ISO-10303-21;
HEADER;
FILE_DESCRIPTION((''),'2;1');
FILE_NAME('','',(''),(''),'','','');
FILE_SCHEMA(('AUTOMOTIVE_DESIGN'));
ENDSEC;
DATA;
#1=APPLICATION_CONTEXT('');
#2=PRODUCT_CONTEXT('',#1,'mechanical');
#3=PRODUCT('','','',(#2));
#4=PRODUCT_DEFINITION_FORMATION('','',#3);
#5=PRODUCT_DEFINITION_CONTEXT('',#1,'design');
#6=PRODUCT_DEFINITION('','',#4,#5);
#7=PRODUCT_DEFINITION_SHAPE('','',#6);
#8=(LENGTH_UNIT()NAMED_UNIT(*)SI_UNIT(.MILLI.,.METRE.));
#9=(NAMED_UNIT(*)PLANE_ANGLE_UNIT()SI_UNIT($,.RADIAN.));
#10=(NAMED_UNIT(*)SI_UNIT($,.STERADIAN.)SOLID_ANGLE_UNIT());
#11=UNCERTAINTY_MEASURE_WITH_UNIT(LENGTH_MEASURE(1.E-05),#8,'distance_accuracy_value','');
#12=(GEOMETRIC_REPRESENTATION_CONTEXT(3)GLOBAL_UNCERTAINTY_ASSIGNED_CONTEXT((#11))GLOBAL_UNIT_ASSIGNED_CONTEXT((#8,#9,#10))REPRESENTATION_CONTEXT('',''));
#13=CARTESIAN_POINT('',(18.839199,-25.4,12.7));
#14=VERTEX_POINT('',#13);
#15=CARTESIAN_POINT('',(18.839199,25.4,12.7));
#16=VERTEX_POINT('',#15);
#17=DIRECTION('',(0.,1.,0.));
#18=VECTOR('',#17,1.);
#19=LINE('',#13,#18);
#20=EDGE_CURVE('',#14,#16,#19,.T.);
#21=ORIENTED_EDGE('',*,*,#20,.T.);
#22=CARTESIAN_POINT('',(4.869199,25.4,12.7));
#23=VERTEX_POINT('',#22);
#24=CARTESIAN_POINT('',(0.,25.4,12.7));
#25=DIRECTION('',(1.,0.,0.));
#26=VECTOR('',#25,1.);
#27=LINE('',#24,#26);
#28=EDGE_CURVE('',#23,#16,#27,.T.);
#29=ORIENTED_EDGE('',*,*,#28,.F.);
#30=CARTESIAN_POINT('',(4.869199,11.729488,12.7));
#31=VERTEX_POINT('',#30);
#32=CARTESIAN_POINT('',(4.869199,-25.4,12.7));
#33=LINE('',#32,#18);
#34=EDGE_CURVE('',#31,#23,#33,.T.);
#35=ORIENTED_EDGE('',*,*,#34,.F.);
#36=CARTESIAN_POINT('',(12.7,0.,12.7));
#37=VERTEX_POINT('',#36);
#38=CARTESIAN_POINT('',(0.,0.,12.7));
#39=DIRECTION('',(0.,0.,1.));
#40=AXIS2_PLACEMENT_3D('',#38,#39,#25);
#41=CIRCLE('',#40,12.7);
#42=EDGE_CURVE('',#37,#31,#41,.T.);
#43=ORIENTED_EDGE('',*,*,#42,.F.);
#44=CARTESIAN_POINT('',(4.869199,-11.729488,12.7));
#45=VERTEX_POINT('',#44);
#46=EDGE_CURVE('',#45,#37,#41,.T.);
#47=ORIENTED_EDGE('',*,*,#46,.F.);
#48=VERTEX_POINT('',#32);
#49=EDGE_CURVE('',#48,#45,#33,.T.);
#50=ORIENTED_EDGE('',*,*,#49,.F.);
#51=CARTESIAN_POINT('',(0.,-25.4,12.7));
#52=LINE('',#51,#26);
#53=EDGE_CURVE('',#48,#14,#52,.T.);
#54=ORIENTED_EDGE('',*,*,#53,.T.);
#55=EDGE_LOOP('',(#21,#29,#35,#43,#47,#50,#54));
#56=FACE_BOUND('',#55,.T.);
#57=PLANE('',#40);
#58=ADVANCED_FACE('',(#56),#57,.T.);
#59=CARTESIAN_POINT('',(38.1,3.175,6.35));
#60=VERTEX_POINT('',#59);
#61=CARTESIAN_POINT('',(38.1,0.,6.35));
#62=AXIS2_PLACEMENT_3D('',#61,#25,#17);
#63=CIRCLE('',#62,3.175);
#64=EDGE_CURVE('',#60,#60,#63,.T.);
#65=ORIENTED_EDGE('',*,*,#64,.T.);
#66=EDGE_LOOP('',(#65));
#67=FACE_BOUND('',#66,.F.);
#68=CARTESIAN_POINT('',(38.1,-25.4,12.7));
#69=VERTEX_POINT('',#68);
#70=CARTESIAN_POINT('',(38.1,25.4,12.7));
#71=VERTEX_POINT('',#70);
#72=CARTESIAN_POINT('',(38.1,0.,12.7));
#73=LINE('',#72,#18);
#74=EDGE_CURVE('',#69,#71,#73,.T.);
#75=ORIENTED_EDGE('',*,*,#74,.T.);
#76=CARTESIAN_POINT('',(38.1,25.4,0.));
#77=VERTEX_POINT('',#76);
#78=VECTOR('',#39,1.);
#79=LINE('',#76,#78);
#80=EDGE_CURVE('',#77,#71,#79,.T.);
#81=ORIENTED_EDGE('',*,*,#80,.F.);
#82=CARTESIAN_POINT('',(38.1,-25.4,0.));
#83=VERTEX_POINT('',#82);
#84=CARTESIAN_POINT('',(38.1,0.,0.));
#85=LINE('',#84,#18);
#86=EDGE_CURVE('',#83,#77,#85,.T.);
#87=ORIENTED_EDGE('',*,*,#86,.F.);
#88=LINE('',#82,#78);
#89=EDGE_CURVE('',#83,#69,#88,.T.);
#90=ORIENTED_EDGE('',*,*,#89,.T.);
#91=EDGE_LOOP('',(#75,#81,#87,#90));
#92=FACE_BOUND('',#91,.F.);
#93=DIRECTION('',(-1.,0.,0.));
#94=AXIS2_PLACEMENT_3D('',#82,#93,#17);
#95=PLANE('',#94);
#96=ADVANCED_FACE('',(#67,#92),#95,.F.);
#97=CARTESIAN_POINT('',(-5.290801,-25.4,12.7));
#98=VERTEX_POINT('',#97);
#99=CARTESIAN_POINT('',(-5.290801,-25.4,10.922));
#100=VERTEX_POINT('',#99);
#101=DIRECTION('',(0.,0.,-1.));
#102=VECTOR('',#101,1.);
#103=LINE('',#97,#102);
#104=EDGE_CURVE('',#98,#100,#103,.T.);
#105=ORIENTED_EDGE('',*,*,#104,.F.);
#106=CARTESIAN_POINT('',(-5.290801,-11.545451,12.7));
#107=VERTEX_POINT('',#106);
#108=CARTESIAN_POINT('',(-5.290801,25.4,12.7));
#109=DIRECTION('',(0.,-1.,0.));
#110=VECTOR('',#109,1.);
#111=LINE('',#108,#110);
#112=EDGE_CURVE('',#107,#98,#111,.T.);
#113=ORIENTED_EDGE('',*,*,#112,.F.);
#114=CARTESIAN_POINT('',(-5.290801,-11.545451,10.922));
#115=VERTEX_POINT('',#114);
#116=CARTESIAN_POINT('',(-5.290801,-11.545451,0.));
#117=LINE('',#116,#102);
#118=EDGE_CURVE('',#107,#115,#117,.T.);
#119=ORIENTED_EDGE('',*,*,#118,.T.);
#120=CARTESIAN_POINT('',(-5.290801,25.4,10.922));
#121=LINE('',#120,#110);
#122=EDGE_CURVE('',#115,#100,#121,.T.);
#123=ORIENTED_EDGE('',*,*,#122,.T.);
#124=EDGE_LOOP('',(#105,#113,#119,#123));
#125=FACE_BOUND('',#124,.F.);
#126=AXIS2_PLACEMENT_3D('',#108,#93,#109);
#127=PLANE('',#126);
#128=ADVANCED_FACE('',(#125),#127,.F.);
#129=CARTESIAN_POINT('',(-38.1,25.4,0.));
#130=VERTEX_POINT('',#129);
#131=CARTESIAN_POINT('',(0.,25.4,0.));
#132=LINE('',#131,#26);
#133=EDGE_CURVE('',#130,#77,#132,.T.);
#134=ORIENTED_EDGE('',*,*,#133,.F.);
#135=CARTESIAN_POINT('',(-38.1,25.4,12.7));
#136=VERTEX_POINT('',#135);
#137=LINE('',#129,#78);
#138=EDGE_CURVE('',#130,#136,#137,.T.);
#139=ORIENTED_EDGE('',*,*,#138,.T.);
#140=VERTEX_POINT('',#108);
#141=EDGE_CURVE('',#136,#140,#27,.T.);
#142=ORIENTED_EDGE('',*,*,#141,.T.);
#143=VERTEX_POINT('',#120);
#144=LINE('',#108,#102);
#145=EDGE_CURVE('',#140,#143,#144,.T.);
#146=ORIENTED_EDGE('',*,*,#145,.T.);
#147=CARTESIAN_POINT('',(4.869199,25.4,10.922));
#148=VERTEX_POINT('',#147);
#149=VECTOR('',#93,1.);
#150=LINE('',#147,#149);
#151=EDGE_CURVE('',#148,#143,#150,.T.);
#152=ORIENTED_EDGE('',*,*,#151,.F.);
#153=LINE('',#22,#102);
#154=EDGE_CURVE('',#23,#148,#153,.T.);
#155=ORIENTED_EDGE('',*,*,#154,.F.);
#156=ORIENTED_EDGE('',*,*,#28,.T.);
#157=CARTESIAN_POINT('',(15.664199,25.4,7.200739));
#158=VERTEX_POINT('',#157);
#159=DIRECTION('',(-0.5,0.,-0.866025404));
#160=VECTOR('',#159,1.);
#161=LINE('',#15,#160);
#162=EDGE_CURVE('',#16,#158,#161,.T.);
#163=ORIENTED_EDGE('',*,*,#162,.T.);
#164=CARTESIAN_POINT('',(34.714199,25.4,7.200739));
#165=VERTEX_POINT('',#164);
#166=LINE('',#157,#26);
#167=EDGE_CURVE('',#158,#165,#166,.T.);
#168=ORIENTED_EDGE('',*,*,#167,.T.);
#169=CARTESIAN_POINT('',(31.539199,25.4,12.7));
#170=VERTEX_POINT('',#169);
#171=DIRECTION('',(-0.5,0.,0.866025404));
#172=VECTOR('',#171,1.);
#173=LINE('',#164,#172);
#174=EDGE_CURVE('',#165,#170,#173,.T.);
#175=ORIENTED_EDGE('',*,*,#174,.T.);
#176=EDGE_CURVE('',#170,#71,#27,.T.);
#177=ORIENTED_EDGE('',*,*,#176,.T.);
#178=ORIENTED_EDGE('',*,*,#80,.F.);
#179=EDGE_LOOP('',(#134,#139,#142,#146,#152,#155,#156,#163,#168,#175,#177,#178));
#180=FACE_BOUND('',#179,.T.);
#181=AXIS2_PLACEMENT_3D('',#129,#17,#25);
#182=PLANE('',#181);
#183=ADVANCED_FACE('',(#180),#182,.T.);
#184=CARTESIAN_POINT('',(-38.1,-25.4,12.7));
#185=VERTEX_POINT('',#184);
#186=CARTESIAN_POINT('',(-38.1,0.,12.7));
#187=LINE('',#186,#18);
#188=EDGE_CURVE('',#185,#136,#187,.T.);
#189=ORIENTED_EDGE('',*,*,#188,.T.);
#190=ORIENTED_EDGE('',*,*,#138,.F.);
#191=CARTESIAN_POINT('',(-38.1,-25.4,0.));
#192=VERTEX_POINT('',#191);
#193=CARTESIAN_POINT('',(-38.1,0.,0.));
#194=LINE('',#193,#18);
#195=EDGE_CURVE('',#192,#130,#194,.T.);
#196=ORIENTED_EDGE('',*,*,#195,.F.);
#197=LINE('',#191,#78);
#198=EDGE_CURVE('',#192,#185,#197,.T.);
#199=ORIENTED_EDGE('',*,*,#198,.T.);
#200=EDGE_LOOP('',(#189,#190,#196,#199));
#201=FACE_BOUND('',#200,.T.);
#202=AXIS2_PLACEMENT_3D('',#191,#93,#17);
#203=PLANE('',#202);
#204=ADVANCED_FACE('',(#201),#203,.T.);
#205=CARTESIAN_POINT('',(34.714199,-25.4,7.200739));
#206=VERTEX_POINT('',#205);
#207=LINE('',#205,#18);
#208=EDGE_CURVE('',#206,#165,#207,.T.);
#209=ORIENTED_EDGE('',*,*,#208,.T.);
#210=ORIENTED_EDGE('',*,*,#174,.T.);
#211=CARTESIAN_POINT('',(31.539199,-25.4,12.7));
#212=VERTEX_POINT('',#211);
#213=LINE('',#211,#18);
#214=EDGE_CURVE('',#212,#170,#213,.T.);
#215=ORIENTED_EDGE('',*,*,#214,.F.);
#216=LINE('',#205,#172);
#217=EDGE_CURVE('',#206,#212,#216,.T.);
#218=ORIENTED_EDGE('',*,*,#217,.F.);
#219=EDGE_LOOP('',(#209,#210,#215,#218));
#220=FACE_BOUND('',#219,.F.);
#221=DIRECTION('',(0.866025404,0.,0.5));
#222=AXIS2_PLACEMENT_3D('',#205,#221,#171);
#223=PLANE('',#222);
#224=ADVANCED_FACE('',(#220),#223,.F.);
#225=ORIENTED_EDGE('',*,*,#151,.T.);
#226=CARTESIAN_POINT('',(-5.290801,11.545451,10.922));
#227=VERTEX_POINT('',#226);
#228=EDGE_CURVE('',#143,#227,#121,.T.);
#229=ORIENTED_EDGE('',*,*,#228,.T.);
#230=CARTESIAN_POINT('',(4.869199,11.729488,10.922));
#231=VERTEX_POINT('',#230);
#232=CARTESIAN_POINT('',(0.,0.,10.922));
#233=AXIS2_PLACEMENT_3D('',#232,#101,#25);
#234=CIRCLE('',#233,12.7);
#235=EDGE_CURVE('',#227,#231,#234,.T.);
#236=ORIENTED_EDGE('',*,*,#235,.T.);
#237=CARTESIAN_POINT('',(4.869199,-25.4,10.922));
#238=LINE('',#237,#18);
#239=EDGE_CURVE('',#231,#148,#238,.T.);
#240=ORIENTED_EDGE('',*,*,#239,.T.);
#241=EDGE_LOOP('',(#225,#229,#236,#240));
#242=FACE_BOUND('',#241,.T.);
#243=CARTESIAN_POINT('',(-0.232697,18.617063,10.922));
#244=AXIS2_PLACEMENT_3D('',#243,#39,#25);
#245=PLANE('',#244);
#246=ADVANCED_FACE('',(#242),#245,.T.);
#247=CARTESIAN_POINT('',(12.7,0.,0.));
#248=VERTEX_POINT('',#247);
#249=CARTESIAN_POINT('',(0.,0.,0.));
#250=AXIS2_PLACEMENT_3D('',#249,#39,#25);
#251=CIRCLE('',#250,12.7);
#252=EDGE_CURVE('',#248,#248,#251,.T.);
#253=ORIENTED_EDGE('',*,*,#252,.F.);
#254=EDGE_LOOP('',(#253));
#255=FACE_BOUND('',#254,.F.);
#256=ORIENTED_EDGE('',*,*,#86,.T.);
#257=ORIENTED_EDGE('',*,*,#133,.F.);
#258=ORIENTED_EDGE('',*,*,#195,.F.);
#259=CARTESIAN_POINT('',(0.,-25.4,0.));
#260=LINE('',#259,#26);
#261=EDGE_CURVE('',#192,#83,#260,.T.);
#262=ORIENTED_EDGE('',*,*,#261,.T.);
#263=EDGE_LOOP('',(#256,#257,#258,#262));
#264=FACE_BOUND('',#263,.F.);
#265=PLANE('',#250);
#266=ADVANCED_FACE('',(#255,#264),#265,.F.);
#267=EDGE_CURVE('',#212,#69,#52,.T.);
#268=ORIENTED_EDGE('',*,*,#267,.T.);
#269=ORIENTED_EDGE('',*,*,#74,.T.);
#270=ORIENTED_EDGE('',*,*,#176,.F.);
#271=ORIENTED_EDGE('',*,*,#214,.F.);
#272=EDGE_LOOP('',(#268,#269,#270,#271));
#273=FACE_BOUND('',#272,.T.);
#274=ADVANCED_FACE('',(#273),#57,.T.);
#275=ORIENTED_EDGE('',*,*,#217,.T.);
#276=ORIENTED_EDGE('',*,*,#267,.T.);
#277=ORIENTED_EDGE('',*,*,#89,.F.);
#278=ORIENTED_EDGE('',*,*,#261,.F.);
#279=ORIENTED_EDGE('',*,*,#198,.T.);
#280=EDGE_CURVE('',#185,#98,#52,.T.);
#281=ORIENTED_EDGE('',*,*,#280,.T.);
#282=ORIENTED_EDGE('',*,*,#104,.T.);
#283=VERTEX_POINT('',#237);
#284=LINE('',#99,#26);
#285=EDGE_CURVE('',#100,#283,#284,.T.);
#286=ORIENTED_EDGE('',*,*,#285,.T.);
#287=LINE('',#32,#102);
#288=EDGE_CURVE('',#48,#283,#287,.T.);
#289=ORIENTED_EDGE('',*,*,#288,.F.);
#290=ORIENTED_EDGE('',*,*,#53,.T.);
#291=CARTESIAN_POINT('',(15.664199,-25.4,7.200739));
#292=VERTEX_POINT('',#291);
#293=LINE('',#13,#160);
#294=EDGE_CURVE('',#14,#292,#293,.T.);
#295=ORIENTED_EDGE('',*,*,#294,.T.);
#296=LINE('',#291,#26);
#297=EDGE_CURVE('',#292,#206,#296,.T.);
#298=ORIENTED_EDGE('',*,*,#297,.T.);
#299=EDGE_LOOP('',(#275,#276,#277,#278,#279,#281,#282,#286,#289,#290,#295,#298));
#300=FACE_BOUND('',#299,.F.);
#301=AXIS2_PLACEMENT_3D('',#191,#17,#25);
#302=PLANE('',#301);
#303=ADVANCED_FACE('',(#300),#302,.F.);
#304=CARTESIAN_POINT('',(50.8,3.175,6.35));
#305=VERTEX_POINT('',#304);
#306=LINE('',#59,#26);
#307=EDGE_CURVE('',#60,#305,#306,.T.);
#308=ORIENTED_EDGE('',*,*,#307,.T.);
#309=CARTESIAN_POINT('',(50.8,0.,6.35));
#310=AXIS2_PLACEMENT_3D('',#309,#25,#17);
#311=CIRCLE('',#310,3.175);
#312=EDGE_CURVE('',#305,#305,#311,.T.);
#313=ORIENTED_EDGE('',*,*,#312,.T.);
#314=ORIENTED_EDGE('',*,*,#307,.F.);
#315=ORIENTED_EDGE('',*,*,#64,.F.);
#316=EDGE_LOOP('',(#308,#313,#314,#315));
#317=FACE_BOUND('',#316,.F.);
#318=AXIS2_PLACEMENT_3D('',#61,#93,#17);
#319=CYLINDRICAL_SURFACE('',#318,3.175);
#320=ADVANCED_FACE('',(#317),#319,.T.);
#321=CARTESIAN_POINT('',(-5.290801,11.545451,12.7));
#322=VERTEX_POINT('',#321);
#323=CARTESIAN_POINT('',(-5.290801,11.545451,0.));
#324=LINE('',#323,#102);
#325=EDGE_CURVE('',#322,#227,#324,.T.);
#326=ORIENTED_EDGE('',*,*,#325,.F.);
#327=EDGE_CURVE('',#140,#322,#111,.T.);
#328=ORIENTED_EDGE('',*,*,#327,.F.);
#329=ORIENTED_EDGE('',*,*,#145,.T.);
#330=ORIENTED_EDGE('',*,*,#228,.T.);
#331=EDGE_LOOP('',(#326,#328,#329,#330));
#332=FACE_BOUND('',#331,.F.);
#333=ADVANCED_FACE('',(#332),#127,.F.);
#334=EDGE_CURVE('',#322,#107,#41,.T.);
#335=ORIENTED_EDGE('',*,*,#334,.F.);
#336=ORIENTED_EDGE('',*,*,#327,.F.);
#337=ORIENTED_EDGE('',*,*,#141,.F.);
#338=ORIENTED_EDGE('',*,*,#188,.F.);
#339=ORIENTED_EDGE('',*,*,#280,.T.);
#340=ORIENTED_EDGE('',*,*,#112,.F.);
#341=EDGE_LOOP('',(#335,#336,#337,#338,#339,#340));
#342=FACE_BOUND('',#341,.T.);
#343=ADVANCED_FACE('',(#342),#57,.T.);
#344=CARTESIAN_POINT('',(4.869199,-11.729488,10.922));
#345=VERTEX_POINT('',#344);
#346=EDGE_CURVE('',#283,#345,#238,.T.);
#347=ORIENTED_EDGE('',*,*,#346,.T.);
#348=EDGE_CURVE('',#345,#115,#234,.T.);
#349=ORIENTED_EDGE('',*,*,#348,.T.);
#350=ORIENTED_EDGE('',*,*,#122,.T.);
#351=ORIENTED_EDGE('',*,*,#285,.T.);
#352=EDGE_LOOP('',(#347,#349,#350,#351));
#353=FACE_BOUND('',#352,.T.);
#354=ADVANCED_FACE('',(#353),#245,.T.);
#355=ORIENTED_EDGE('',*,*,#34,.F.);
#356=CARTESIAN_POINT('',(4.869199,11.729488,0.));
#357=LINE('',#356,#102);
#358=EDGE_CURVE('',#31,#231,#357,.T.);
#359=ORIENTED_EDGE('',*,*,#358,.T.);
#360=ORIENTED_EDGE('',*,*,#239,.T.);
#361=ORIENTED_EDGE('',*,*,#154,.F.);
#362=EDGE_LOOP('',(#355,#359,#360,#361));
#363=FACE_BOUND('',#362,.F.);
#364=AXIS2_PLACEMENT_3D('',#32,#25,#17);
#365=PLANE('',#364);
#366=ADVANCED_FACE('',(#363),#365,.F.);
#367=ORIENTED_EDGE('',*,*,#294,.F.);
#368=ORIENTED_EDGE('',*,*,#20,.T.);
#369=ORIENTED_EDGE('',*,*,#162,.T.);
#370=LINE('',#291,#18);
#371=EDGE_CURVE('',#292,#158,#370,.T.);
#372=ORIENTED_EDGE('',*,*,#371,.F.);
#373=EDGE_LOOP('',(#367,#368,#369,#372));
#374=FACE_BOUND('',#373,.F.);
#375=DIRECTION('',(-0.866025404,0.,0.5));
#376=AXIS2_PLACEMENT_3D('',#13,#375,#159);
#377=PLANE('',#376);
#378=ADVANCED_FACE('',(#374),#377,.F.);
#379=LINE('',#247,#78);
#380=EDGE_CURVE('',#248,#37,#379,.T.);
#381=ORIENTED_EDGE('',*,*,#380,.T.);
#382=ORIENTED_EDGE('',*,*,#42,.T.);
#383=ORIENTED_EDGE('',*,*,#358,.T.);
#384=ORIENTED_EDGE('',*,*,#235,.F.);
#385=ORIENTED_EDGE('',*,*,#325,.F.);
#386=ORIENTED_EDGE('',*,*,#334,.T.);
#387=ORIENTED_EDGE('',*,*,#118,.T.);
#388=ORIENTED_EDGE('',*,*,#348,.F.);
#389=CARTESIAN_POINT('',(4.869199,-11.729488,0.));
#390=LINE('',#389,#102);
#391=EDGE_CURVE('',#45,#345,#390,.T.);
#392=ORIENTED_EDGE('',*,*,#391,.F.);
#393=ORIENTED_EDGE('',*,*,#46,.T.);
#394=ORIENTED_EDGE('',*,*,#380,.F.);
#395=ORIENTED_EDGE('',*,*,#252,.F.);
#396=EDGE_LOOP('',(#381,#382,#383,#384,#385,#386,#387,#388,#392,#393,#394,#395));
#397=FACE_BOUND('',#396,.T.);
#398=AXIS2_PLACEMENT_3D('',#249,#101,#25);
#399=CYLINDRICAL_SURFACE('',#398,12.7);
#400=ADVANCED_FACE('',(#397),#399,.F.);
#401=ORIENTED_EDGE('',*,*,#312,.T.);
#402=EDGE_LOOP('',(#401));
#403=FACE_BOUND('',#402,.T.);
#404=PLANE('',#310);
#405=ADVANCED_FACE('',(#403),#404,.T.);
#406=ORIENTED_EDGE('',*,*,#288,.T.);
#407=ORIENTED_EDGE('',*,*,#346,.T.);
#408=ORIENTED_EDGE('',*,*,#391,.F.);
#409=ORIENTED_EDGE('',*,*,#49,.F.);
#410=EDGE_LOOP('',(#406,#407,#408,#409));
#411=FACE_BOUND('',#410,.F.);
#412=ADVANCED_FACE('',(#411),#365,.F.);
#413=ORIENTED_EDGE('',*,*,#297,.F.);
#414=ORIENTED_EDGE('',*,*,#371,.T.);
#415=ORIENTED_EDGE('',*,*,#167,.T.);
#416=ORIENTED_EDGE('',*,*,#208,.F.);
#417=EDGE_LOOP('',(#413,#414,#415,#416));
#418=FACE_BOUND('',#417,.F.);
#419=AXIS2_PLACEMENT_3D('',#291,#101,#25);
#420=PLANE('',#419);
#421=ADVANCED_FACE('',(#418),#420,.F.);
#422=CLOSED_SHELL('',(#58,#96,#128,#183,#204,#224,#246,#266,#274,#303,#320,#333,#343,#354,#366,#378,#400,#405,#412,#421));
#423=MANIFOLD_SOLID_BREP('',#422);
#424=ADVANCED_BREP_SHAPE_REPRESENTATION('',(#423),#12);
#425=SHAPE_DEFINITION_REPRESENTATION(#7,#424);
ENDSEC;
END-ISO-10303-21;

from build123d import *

# Parameters (mm, degrees)
F0_W     = 76.2
F0_H     = 50.8
F0_R     = 12.7
F1_DEPTH = 12.7
F3_DEPTH = 1.778
F5_DEPTH = 50.8
F6_R     = 3.175
F7_DEPTH = 12.7


with BuildPart() as f1:
    # F0 (on Top) → F1 (new body)
    with BuildSketch(Plane.XY):
        Rectangle(F0_W, F0_H)
        Circle(F0_R, mode=Mode.SUBTRACT)
    extrude(amount=F1_DEPTH)

    # F2 (on face) → F3 (cut)
    with BuildSketch(Plane.XY.offset(12.7)):
        with BuildLine():
            Line((4.8691992944, 25.4), (-5.2908007056, 25.4))
            Line((-5.2908007056, 25.4), (-5.2908007056, 11.545450528))
            ThreePointArc((-5.2908007056, 11.545450528), (-0.2300096138, 12.6979169779), (4.8691992944, 11.7294884045))
            Line((4.8691992944, 11.7294884045), (4.8691992944, 25.4))
        make_face()
        with BuildLine():
            Line((-5.2908007056, -11.545450528), (-5.2908007056, -25.4))
            Line((-5.2908007056, -25.4), (4.8691992944, -25.4))
            Line((4.8691992944, -25.4), (4.8691992944, -11.7294884045))
            ThreePointArc((4.8691992944, -11.7294884045), (-0.2300096138, -12.6979169779), (-5.2908007056, -11.545450528))
        make_face()
        with BuildLine():
            Line((-5.2908007056, 11.545450528), (-5.2908007056, -11.545450528))
            ThreePointArc((-5.2908007056, -11.545450528), (-0.2300096138, -12.6979169779), (4.8691992944, -11.7294884045))
            Line((4.8691992944, -11.7294884045), (4.8691992944, 11.7294884045))
            ThreePointArc((4.8691992944, 11.7294884045), (-0.2300096138, 12.6979169779), (-5.2908007056, 11.545450528))
        make_face()
    extrude(amount=-F3_DEPTH, mode=Mode.SUBTRACT)

    # F4 (on face) → F5 (cut, through all)
    with BuildSketch(Plane.XZ.offset(25.4)):
        Polygon((31.5391992944, 12.7), (18.8391992944, 12.7), (15.6641992944, 7.200738686), (34.7141992944, 7.200738686), align=None)
    extrude(amount=-F5_DEPTH, mode=Mode.SUBTRACT)

    # F6 (on face) → F7 (join)
    with BuildSketch(Plane.YZ.offset(38.1)):
        with Locations((0, 6.35)):
            Circle(F6_R)
    extrude(amount=F7_DEPTH)


solid = f1.part
